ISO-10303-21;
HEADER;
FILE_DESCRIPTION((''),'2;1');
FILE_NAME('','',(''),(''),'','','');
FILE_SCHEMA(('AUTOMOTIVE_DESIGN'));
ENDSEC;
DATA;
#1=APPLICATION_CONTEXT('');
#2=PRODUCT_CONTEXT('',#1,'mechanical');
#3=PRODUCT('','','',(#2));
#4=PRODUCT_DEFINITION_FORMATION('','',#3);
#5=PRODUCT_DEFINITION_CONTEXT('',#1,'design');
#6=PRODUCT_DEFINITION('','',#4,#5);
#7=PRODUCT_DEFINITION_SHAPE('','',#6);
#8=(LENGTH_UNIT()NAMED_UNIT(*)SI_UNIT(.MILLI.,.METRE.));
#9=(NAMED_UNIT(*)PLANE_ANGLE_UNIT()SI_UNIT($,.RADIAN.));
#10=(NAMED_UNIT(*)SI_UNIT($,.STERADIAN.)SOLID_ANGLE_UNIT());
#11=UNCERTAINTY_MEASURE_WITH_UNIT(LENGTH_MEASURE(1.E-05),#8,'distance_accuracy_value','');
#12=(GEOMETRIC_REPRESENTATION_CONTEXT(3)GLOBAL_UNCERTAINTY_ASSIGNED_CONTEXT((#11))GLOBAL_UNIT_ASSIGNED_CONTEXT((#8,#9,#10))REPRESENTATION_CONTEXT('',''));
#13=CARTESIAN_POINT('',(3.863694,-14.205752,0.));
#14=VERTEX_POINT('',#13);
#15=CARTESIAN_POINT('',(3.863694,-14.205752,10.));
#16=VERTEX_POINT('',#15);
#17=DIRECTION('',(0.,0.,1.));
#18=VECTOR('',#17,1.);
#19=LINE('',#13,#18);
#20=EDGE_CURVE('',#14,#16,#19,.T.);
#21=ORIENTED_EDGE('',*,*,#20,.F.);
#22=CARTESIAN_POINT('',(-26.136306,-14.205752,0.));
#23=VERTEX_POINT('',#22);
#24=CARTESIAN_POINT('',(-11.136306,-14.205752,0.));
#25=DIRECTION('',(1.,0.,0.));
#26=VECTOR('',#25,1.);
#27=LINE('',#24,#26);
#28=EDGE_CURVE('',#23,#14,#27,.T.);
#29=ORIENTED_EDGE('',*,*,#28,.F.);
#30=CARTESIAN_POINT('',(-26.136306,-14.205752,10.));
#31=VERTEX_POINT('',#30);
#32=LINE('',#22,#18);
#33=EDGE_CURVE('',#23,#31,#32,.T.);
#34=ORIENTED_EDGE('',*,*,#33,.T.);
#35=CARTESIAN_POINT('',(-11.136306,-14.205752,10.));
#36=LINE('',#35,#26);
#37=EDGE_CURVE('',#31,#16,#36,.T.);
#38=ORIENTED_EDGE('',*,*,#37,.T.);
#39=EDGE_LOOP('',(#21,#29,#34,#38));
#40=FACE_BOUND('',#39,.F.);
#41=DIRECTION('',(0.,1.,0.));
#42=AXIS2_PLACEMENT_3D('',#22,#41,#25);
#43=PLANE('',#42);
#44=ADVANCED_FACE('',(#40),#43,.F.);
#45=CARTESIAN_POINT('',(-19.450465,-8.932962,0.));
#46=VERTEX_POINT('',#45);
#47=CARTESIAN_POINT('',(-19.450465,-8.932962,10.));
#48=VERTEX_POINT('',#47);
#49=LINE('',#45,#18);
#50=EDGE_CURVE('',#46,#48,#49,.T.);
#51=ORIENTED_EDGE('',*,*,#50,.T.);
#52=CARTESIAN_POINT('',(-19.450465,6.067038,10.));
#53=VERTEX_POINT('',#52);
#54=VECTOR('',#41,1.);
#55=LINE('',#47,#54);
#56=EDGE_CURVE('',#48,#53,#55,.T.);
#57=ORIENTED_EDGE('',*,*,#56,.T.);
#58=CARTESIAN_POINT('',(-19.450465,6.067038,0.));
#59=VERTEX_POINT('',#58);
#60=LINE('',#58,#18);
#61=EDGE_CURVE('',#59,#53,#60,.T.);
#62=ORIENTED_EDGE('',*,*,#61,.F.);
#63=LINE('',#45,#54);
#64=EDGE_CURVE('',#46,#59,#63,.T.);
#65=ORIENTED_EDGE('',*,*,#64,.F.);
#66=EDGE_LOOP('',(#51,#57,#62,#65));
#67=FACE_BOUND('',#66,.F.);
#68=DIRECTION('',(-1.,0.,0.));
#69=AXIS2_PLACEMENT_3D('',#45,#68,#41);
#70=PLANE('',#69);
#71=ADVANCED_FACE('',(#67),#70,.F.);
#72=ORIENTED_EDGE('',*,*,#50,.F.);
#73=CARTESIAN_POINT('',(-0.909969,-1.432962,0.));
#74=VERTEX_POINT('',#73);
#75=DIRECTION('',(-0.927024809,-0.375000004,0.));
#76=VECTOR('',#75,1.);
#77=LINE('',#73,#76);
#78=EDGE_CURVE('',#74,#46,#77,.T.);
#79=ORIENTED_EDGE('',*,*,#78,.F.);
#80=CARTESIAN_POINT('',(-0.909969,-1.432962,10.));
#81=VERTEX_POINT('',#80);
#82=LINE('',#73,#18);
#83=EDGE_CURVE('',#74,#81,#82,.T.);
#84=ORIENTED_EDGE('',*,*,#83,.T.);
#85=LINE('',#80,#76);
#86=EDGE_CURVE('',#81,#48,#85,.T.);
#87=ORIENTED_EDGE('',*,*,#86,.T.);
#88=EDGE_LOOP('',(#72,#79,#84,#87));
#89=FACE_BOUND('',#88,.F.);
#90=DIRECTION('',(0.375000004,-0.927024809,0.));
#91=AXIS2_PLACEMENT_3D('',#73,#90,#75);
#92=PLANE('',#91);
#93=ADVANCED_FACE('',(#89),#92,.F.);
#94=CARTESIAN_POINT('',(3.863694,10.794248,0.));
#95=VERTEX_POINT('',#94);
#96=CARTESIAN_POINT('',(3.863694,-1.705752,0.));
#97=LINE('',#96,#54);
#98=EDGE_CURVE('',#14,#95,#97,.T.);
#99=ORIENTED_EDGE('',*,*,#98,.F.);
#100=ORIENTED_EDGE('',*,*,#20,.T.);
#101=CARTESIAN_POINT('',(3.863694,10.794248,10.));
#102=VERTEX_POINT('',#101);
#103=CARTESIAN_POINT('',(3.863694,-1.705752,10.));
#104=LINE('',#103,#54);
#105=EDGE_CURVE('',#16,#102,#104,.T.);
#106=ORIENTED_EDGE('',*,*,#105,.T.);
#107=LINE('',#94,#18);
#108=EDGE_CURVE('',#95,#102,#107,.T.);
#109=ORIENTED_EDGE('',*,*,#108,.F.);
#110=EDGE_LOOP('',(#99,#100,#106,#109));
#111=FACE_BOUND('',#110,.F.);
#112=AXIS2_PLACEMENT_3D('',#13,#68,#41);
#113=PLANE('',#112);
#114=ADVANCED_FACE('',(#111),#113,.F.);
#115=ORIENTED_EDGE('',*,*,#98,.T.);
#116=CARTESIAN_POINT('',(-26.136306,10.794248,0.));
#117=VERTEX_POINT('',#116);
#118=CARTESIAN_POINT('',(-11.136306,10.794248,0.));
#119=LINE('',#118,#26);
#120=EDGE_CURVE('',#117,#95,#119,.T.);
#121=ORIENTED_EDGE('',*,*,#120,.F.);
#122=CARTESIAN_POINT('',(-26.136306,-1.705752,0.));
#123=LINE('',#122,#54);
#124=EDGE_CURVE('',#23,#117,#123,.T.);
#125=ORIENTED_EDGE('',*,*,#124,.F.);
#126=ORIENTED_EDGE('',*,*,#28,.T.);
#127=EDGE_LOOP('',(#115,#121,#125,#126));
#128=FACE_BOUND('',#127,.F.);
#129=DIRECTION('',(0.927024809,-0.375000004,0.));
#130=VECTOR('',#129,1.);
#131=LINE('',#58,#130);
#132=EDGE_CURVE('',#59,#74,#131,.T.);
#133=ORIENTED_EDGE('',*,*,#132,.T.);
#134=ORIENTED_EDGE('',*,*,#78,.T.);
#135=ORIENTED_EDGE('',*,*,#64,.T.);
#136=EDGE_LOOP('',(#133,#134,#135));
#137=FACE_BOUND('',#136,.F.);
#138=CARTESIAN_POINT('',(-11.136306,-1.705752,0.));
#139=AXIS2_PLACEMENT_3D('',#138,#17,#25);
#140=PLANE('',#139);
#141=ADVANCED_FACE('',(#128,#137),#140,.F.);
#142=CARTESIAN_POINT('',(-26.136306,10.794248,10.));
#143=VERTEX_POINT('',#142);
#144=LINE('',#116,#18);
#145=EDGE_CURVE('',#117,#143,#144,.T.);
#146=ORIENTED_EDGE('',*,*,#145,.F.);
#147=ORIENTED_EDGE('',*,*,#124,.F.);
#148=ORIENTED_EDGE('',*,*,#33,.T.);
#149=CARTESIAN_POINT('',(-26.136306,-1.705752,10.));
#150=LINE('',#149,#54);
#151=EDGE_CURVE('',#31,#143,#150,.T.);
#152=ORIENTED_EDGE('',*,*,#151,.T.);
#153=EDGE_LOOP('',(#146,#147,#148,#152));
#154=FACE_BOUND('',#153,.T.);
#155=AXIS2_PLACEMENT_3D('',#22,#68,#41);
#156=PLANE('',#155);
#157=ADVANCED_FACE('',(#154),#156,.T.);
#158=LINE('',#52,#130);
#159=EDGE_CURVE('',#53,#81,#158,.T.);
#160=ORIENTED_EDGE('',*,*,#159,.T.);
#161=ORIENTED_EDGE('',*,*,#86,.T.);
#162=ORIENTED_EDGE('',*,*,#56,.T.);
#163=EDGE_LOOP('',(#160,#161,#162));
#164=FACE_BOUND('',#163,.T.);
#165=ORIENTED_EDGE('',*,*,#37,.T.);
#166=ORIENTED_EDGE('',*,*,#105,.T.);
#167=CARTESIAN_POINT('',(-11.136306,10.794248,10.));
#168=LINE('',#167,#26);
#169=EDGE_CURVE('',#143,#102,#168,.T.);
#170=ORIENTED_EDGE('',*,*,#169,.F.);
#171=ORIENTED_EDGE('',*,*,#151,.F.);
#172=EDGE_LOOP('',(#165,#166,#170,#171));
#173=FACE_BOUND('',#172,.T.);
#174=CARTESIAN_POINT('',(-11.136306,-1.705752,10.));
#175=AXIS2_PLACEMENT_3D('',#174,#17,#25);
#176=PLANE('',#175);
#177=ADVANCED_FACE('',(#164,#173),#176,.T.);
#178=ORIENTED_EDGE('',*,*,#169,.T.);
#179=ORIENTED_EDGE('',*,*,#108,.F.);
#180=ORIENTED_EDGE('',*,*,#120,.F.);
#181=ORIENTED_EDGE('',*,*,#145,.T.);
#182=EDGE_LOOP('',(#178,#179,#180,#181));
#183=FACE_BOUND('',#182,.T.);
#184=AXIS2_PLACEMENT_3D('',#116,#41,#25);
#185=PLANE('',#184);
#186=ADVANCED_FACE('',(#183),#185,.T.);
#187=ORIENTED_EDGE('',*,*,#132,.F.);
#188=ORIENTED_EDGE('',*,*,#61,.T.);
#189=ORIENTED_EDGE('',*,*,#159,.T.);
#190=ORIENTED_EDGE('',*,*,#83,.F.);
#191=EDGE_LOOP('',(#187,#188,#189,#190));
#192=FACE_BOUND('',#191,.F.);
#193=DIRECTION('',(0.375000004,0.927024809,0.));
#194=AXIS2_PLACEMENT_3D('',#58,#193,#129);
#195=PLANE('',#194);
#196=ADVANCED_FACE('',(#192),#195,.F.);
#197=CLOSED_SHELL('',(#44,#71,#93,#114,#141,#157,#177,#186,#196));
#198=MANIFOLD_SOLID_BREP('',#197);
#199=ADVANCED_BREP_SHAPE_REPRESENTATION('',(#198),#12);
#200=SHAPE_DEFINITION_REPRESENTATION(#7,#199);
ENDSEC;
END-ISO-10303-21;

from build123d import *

# Parameters (mm, degrees)
F0_W     = 30
F0_H     = 25
F1_DEPTH = 10


with BuildPart() as f1:
    # F0 (on Top) → F1 (new body)
    with BuildSketch(Plane.XY):
        with Locations((-11.136306, -1.705752)):
            Rectangle(F0_W, F0_H)
        Polygon((-19.450465, -8.932962), (-19.450465, 6.067038), (-0.909969, -1.432962), align=None, mode=Mode.SUBTRACT)
    extrude(amount=F1_DEPTH)


solid = f1.part
